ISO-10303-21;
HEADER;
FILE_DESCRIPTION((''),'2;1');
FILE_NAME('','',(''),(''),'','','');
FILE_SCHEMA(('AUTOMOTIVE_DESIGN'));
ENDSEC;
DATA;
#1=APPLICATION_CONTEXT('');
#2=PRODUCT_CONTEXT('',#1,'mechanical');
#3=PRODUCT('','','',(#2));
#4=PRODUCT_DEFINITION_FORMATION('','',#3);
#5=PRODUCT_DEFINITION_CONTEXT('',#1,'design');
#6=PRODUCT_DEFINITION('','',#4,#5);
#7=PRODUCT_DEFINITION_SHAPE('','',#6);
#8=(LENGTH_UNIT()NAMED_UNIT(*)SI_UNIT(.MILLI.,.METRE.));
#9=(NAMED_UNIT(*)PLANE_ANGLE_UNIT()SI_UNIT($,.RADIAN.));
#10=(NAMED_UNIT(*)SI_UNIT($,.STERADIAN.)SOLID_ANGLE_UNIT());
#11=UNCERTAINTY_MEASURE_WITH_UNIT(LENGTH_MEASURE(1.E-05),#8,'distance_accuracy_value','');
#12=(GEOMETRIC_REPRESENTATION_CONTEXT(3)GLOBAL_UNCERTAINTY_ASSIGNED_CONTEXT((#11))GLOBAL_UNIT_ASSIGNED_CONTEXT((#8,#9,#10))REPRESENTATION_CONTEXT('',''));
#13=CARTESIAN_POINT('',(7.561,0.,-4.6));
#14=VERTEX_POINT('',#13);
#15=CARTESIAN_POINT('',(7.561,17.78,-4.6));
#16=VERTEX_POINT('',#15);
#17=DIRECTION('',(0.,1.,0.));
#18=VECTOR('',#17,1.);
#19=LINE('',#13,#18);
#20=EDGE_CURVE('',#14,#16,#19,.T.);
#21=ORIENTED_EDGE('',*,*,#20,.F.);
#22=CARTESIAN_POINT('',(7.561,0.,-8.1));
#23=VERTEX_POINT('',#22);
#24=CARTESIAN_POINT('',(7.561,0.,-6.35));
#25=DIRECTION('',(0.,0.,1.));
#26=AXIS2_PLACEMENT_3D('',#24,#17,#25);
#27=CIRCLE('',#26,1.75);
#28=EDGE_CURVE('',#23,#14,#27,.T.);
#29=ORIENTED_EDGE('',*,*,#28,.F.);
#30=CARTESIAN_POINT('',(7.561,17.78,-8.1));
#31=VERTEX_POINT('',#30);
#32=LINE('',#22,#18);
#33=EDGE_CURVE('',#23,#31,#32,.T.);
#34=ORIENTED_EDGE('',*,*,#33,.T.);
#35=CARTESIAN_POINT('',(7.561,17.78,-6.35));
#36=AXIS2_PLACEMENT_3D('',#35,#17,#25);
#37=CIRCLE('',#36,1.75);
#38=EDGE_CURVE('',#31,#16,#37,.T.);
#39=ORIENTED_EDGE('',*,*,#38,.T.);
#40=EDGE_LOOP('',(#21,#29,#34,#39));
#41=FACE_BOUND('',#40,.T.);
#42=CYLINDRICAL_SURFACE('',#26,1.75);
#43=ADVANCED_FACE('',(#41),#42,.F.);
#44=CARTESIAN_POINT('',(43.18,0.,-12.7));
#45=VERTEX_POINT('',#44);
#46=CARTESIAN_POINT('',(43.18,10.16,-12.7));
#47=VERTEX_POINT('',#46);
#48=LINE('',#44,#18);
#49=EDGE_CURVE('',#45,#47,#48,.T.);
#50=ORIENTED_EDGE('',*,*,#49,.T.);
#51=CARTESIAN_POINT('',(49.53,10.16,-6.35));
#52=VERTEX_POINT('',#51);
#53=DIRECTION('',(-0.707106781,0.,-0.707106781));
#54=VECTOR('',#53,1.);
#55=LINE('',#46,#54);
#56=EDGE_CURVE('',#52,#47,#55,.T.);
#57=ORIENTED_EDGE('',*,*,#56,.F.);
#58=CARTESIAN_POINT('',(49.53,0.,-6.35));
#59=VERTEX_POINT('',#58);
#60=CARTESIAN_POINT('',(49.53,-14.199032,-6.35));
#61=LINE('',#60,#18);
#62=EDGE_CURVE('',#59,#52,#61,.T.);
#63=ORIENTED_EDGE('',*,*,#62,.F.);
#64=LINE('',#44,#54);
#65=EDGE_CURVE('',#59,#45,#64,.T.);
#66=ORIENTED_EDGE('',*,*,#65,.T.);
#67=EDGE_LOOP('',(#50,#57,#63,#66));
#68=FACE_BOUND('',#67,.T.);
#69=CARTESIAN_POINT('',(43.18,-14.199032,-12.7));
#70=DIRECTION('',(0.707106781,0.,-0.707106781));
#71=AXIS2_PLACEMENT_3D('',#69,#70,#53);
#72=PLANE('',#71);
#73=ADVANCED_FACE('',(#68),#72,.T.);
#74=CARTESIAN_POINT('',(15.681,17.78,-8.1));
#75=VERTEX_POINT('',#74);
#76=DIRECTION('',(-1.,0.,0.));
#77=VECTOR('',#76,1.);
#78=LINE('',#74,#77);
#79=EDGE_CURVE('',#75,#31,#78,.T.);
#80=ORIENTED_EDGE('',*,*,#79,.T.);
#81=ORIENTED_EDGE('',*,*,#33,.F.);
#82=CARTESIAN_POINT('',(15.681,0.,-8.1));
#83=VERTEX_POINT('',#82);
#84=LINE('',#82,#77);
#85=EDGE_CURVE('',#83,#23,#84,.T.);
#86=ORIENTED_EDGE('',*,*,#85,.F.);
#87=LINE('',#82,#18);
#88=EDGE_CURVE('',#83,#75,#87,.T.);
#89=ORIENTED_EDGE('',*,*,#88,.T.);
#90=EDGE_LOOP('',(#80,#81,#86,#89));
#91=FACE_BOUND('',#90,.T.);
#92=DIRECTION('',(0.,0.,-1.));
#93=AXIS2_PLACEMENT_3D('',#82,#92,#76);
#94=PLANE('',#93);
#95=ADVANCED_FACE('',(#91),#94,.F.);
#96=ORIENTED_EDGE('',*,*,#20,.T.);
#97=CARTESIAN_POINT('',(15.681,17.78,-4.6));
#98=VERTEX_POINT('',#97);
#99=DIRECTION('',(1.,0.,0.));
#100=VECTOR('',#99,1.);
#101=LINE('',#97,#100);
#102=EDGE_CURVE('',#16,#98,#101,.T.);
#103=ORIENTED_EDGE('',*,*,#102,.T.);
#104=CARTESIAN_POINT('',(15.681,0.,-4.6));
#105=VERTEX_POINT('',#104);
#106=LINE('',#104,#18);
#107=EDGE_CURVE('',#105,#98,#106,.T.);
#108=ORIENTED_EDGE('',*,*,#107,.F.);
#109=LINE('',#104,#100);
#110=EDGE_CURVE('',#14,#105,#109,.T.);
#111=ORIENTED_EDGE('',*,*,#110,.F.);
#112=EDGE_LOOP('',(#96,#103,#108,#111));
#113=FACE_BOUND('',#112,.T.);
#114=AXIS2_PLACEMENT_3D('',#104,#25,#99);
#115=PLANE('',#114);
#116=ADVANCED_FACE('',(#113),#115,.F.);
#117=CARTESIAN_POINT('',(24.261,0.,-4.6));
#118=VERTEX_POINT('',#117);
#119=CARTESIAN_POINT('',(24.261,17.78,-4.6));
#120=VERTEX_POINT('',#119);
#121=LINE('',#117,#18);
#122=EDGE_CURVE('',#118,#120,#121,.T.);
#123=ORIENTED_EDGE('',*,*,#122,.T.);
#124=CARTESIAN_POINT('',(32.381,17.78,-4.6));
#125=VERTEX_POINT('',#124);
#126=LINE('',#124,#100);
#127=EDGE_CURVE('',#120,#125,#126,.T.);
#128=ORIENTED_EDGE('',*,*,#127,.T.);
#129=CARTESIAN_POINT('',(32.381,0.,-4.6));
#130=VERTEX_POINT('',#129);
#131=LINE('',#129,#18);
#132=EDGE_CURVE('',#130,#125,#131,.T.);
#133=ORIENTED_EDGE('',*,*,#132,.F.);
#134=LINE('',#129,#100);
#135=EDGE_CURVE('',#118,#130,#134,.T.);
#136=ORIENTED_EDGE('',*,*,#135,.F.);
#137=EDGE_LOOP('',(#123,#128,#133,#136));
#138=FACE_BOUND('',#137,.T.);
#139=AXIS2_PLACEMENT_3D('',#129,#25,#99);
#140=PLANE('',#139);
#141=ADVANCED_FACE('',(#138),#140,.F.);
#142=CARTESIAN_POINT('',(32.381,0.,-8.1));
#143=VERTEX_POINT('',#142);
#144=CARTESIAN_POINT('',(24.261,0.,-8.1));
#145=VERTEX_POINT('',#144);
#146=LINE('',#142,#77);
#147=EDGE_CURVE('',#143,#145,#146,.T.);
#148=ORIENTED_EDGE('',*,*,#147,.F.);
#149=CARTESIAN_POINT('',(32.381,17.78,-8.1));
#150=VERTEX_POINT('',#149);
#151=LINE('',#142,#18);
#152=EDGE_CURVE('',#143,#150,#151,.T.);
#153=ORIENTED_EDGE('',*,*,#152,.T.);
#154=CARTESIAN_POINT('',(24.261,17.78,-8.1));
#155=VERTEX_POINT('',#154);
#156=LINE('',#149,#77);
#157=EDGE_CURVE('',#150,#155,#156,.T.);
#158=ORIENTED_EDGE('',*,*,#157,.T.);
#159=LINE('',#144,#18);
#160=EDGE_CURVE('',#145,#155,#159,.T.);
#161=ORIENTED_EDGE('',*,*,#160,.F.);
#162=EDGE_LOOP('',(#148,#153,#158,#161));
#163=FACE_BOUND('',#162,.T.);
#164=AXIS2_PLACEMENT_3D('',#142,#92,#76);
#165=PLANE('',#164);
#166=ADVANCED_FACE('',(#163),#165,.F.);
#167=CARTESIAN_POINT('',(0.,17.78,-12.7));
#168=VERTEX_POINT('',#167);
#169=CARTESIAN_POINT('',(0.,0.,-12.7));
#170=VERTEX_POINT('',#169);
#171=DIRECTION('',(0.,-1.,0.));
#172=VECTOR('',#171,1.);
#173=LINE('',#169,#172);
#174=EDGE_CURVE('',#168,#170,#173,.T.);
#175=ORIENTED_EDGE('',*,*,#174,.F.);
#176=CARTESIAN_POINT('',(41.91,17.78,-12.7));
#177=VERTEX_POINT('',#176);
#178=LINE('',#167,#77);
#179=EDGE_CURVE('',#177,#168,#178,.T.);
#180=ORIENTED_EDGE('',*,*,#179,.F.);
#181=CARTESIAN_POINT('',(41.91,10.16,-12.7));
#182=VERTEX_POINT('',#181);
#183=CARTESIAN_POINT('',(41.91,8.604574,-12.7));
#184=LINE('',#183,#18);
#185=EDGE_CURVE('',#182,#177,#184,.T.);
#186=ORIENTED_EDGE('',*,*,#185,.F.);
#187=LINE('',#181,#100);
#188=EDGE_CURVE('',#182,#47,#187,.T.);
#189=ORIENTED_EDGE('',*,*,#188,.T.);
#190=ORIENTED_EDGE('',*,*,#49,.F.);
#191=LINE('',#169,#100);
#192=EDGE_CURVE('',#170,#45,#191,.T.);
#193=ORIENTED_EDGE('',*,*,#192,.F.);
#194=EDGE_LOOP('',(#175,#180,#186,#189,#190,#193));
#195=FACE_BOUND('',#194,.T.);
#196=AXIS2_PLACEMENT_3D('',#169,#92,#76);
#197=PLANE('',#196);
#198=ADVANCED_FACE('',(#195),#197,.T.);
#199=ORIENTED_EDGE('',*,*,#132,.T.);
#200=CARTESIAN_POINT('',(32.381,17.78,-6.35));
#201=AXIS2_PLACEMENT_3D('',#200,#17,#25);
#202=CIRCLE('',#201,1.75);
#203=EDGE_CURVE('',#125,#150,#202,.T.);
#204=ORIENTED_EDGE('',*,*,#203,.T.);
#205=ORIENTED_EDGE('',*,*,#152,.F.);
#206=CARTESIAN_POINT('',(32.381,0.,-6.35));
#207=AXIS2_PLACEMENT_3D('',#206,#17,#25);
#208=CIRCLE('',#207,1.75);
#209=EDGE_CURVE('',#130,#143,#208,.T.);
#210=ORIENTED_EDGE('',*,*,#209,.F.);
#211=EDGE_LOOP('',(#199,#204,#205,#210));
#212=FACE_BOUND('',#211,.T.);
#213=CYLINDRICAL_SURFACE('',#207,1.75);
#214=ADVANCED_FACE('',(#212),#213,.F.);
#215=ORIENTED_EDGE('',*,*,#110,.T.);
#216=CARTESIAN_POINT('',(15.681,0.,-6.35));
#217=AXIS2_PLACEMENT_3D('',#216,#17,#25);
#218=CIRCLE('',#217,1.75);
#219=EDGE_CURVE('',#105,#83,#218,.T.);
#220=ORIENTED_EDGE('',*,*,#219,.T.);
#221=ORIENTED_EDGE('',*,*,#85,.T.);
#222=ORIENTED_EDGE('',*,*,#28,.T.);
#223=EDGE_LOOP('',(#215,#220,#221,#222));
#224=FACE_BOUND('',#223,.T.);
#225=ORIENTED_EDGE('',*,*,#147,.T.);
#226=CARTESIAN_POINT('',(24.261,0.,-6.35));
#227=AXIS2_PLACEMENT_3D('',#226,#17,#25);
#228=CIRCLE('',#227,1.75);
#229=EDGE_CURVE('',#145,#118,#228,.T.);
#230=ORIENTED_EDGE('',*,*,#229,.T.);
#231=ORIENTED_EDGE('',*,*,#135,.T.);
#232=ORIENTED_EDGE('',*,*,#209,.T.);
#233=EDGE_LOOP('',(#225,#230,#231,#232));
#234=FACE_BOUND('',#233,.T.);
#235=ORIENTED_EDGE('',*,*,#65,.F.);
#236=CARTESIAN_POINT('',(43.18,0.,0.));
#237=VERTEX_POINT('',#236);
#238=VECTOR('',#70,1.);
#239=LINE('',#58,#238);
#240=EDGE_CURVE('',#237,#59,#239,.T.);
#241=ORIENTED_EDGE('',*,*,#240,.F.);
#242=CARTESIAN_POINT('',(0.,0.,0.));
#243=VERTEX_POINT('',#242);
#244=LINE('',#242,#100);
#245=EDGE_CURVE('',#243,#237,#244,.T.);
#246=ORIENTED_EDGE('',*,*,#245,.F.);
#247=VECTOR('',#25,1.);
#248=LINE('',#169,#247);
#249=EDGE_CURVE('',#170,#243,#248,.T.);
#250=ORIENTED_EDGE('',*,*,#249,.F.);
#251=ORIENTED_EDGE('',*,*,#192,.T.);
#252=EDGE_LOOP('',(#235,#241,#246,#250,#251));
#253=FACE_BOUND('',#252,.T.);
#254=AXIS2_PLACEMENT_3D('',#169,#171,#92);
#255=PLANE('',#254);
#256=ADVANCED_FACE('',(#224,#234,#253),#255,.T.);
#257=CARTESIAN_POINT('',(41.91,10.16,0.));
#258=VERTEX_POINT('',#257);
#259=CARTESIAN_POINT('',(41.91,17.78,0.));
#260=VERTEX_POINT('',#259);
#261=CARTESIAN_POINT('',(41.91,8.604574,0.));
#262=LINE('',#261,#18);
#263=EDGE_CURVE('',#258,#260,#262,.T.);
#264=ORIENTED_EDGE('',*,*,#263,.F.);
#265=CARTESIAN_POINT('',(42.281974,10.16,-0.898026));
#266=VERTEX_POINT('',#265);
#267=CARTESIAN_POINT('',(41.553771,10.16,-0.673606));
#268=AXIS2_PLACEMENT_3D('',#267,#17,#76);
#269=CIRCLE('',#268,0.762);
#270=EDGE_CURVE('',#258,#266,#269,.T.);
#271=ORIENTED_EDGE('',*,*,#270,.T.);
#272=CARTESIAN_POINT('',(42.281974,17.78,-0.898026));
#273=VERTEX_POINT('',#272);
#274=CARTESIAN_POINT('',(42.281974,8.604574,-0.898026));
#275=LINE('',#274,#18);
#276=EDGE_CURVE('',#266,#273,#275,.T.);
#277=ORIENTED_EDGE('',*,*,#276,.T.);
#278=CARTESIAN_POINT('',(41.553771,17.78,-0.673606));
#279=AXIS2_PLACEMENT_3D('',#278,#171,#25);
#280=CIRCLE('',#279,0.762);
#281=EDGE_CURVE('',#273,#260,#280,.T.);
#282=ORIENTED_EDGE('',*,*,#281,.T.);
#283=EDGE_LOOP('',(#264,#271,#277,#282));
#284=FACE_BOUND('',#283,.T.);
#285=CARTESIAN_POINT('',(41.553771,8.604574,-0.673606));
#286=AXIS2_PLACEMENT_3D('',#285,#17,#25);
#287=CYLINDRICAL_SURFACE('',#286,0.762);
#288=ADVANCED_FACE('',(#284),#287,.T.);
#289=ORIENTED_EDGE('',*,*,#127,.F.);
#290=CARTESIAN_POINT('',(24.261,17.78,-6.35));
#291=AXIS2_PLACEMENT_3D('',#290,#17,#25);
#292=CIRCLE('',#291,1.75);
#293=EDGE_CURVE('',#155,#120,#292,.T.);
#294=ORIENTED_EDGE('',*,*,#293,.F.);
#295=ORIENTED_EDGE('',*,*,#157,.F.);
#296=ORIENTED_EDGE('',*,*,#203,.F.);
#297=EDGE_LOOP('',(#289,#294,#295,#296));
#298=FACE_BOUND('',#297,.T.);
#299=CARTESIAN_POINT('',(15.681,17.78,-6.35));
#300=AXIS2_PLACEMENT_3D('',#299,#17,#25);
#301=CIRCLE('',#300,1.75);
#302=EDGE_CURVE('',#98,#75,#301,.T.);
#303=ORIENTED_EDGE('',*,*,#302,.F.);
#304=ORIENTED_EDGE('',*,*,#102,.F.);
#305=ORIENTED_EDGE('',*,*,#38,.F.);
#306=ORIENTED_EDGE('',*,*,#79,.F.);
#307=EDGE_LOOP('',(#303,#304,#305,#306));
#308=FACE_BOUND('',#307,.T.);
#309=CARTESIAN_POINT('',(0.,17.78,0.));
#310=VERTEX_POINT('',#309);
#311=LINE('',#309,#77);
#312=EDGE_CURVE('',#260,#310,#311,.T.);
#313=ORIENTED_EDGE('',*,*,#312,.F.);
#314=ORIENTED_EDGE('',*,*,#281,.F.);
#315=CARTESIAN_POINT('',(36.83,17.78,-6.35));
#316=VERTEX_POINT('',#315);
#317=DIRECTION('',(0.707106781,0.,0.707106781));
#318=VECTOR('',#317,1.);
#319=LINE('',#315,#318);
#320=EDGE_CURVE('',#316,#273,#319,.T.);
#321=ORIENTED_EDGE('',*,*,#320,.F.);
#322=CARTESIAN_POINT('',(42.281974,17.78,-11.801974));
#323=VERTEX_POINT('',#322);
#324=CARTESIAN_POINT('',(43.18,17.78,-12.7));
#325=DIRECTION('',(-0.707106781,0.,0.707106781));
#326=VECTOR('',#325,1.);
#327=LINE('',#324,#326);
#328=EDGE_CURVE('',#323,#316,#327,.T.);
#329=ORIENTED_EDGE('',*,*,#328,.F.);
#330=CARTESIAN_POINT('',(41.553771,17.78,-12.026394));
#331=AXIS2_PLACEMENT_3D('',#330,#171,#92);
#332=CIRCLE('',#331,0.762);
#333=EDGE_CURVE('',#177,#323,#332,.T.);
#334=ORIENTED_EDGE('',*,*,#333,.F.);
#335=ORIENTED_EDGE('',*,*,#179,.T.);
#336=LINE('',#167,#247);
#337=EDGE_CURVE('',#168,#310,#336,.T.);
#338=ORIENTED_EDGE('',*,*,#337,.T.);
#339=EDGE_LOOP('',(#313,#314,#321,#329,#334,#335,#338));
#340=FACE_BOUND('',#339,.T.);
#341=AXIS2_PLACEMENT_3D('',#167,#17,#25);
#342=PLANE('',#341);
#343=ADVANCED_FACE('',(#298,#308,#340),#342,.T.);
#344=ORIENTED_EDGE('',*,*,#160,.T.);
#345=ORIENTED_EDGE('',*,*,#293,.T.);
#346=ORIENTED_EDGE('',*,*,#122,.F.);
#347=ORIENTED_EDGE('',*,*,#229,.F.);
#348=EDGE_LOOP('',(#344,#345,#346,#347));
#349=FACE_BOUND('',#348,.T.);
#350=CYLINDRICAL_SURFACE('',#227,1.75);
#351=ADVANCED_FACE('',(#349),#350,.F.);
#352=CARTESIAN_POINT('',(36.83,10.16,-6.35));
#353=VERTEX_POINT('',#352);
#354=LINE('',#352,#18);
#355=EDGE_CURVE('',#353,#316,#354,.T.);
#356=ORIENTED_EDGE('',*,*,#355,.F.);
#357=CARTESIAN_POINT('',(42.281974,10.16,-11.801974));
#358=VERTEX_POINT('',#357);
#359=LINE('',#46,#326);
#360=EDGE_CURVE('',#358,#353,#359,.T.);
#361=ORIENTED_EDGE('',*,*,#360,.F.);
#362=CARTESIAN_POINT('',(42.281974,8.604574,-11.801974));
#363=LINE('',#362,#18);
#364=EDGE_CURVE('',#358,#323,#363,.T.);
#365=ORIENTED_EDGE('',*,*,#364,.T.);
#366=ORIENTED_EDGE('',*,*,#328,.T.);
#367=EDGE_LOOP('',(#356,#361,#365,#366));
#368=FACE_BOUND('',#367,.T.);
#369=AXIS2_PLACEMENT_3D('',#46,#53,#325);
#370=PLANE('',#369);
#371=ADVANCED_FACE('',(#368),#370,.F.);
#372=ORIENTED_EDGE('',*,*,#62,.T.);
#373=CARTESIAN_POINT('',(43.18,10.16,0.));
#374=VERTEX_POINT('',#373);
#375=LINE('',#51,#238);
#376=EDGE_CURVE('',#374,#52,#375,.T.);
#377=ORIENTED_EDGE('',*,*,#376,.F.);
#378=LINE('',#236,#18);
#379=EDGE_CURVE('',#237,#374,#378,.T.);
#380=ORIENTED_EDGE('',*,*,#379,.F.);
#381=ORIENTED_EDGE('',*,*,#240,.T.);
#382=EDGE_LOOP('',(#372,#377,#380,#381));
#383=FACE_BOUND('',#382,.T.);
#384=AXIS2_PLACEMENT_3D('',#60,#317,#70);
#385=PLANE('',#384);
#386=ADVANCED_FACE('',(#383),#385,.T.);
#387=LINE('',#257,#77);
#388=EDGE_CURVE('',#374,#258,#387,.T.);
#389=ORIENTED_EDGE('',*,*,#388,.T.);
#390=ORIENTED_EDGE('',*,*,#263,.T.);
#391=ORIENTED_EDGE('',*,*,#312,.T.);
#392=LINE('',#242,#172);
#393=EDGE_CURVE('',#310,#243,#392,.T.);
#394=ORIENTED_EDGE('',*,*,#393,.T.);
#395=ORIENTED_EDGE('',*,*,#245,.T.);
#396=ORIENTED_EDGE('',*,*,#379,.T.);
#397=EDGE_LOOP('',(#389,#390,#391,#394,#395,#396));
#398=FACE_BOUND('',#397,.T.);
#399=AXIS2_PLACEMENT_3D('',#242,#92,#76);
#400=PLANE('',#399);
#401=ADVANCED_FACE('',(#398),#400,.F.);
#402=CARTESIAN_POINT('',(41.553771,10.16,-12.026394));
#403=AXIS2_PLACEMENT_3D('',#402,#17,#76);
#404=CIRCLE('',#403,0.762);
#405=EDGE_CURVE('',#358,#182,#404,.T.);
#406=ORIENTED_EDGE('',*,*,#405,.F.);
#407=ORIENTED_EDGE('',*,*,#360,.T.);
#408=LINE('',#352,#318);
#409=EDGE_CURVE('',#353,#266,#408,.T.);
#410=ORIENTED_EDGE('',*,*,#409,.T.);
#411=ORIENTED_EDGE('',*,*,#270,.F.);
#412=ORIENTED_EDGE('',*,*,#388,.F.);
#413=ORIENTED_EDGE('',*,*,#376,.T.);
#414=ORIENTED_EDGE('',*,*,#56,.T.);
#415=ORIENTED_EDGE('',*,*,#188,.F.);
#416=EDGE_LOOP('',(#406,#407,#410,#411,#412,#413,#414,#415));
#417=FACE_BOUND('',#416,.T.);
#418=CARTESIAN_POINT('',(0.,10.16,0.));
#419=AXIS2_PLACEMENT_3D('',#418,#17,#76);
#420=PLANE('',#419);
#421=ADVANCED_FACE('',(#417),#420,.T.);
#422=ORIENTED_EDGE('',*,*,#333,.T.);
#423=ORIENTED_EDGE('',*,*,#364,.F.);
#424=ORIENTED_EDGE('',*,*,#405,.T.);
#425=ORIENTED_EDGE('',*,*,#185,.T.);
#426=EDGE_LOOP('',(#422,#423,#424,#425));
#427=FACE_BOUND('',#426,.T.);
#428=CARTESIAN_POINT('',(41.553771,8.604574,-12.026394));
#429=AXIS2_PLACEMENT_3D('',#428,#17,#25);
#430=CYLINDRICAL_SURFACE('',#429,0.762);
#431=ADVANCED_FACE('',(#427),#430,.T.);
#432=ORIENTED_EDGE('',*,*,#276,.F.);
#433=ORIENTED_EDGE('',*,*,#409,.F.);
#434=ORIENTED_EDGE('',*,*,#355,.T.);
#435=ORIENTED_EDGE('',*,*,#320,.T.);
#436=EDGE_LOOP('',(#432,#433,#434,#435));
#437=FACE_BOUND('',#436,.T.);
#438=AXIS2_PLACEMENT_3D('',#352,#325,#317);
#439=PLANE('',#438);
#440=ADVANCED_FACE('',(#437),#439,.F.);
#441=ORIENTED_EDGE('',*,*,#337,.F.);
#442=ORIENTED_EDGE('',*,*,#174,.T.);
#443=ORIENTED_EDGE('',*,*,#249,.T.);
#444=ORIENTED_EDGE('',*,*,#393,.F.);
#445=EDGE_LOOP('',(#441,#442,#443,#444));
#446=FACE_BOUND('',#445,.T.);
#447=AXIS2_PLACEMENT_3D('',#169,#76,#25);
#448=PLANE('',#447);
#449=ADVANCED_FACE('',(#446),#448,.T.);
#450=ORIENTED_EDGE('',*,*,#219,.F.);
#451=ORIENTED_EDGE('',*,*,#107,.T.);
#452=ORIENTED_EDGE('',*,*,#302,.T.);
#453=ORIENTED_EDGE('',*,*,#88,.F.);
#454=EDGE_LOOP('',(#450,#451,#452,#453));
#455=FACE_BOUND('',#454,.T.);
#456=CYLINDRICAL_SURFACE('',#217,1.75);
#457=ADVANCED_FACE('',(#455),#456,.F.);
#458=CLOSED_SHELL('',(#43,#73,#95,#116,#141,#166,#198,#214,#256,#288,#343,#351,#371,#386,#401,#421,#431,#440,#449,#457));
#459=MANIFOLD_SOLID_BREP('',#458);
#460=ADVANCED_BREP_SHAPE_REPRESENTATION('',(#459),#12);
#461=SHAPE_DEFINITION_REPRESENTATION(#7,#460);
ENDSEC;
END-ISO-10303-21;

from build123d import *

# Parameters (mm, degrees)
SKETCH1_W           = 43.18
SKETCH1_H           = 17.78
BOSS_EXTRUDE1_DEPTH = 12.7
CUT_EXTRUDE1_DEPTH  = 7.62
CUT_EXTRUDE2_DEPTH  = 18.78
BOSS_EXTRUDE2_DEPTH = 10.16
CUT_EXTRUDE3_DEPTH  = 7.62


with BuildPart() as part:
    # Sketch1 → Boss-Extrude1 (new body)
    with BuildSketch(Plane.XY):
        with Locations((21.59, 8.89)):
            Rectangle(SKETCH1_W, SKETCH1_H)
    extrude(amount=-BOSS_EXTRUDE1_DEPTH)

    # Sketch3 → Cut-Extrude1 (cut)
    with BuildSketch(Plane(origin=(0, 17.78, 0), x_dir=(1, 0, 0), z_dir=(0, 1, 0))):
        Polygon((43.18, 12.7), (36.83, 6.35), (43.18, 0), align=None)
    extrude(amount=-CUT_EXTRUDE1_DEPTH, mode=Mode.SUBTRACT)

    # Sketch4 → Cut-Extrude2 (cut, through all)
    with BuildSketch(Plane(origin=(0, 17.78, 0), x_dir=(1, 0, 0), z_dir=(0, 1, 0))):
        with BuildLine():
            Line((32.381000008, 4.599999944), (24.260999992, 4.599999944))
            ThreePointArc((24.260999992, 4.599999944), (22.510999936, 6.35), (24.260999992, 8.100000056))
            Line((24.260999992, 8.100000056), (32.381000008, 8.100000056))
            ThreePointArc((32.381000008, 8.100000056), (34.131000064, 6.35), (32.381000008, 4.599999944))
        make_face()
        with BuildLine():
            Line((15.68099988, 4.599999944), (7.560999864, 4.599999944))
            ThreePointArc((7.560999864, 4.599999944), (5.810999808, 6.35), (7.560999864, 8.100000056))
            Line((7.560999864, 8.100000056), (15.68099988, 8.100000056))
            ThreePointArc((15.68099988, 8.100000056), (17.430999936, 6.35), (15.68099988, 4.599999944))
        make_face()
    extrude(amount=-CUT_EXTRUDE2_DEPTH, mode=Mode.SUBTRACT)

    # Sketch5 → Boss-Extrude2 (add)
    with BuildSketch(Plane(origin=(0, 10.16, 0), x_dir=(1, 0, 0), z_dir=(0, 1, 0))):
        Polygon((43.18, 12.7), (49.53, 6.35), (43.18, 0), align=None)
    extrude(amount=-BOSS_EXTRUDE2_DEPTH)

    # Sketch6 → Cut-Extrude3 (cut)
    with BuildSketch(Plane(origin=(0, 17.78, 0), x_dir=(1, 0, 0), z_dir=(0, 1, 0))):
        with BuildLine():
            Line((41.91, 12.7), (43.18, 12.7))
            Line((43.18, 12.7), (42.281974388, 11.801974388))
            ThreePointArc((42.281974388, 11.801974388), (42.257767431, 12.317998762), (41.91, 12.7))
        make_face()
        with BuildLine():
            Line((41.91, 0), (43.18, 0))
            Line((43.18, 0), (42.281974388, 0.898025612))
            ThreePointArc((42.281974388, 0.898025612), (42.257767431, 0.382001238), (41.91, 0))
        make_face()
    extrude(amount=-CUT_EXTRUDE3_DEPTH, mode=Mode.SUBTRACT)


solid = part.part
